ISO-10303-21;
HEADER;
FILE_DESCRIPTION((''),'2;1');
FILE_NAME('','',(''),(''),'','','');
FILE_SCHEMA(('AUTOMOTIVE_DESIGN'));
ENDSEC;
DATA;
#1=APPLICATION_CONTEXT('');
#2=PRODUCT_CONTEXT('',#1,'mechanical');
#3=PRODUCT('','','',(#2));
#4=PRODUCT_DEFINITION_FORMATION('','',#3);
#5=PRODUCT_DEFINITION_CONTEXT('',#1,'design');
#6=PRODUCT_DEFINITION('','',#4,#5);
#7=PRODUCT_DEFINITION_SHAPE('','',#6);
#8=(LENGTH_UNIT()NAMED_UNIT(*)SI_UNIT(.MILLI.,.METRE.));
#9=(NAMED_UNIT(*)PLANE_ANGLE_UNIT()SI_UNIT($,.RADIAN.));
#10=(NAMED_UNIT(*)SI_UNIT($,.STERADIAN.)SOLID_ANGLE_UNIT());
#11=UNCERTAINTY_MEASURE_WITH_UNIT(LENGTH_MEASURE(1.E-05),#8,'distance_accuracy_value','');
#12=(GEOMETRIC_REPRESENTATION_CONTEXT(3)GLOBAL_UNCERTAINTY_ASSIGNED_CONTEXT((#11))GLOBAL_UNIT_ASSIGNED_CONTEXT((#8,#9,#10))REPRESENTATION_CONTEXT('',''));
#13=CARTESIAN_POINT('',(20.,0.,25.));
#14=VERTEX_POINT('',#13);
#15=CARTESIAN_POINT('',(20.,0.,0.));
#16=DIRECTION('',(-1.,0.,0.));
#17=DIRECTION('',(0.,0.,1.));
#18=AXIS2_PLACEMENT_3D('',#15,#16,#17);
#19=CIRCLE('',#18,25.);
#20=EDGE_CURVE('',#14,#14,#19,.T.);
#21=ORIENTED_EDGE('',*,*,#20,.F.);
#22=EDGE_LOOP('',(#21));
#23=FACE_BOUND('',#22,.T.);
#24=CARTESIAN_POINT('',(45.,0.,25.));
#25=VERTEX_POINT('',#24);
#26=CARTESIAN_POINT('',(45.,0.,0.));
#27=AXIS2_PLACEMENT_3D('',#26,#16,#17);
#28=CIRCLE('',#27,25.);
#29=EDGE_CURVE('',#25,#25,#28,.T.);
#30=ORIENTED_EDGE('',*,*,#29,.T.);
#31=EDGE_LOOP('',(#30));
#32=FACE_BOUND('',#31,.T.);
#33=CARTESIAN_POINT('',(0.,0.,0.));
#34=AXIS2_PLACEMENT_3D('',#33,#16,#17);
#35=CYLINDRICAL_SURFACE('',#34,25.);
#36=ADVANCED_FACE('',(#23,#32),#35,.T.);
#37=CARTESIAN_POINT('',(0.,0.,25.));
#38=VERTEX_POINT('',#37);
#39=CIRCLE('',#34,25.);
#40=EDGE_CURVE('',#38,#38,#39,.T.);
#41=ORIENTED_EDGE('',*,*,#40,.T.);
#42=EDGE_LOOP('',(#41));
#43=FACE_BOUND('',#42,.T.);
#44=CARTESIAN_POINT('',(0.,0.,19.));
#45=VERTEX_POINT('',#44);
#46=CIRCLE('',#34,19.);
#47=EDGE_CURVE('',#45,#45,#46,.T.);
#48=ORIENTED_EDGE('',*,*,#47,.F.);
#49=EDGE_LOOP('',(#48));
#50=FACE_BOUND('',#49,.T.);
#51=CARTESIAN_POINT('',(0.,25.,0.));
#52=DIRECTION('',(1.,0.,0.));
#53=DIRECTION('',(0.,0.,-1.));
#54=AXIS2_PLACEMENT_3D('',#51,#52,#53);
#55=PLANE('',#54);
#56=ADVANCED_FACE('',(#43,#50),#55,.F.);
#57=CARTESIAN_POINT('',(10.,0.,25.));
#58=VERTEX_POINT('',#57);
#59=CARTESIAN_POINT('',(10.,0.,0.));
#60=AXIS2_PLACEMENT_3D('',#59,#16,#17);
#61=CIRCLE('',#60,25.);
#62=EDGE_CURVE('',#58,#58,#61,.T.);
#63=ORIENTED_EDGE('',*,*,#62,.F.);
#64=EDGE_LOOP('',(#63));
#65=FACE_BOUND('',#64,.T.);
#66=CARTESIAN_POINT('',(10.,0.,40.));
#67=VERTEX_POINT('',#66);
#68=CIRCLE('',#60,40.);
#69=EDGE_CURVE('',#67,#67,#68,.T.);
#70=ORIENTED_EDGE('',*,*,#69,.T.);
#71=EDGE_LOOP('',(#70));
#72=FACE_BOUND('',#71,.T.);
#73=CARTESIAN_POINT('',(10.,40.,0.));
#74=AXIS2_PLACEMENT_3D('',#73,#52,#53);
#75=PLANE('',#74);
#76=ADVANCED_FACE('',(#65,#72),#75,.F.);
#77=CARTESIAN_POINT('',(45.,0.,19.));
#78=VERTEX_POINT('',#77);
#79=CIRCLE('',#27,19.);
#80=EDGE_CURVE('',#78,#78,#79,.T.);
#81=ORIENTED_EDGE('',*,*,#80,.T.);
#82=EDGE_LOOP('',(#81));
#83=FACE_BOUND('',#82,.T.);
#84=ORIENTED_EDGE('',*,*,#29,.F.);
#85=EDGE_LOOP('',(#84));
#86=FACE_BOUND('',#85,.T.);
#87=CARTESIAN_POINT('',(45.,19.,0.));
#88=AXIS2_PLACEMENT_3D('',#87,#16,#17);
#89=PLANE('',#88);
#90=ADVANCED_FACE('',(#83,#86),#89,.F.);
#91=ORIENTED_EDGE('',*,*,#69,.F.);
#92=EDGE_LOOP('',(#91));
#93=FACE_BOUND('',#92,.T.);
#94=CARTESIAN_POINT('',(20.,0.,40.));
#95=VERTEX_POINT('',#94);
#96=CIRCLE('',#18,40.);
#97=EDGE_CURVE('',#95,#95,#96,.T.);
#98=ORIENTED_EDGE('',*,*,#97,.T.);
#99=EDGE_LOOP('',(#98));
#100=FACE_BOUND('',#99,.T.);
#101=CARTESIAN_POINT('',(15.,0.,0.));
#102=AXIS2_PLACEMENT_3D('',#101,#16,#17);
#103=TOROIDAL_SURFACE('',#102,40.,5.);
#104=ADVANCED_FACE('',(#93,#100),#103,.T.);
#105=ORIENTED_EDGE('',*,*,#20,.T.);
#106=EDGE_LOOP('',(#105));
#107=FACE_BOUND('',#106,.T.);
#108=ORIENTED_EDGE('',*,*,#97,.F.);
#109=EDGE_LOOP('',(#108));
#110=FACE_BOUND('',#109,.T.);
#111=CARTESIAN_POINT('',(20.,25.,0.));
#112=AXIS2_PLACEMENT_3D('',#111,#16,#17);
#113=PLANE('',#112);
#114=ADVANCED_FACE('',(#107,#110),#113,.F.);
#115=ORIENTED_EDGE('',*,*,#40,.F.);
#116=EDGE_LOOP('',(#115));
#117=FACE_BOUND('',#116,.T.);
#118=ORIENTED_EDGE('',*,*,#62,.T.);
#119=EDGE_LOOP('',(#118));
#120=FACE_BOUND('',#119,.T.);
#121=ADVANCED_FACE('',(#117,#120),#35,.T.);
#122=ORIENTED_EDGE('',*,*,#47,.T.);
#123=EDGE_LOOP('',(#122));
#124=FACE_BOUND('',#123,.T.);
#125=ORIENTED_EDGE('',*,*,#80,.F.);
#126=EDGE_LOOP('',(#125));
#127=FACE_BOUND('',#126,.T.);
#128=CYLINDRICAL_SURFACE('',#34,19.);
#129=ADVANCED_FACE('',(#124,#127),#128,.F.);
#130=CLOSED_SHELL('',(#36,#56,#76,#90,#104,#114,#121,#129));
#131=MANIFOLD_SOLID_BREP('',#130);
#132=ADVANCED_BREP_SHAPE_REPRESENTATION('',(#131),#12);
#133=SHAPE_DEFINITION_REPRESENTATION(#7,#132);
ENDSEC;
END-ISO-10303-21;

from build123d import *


with BuildPart() as part:
    # Sketch1 → Revolve1 (revolve)
    with BuildSketch(Plane.XY, mode=Mode.PRIVATE) as revolve1_sk:
        with BuildLine():
            Line((0, 19), (45, 19))
            Line((45, 19), (45, 25))
            Line((45, 25), (20, 25))
            Line((20, 25), (20, 40))
            ThreePointArc((20, 40), (15, 45), (10, 40))
            Line((10, 40), (10, 25))
            Line((10, 25), (0, 25))
            Line((0, 25), (0, 19))
        make_face()
    revolve(revolve1_sk.sketch.rotate(Axis((0, 0, 0), (1, 0, 0)), 90), axis=Axis((0, 0, 0), (1, 0, 0)))


solid = part.part
